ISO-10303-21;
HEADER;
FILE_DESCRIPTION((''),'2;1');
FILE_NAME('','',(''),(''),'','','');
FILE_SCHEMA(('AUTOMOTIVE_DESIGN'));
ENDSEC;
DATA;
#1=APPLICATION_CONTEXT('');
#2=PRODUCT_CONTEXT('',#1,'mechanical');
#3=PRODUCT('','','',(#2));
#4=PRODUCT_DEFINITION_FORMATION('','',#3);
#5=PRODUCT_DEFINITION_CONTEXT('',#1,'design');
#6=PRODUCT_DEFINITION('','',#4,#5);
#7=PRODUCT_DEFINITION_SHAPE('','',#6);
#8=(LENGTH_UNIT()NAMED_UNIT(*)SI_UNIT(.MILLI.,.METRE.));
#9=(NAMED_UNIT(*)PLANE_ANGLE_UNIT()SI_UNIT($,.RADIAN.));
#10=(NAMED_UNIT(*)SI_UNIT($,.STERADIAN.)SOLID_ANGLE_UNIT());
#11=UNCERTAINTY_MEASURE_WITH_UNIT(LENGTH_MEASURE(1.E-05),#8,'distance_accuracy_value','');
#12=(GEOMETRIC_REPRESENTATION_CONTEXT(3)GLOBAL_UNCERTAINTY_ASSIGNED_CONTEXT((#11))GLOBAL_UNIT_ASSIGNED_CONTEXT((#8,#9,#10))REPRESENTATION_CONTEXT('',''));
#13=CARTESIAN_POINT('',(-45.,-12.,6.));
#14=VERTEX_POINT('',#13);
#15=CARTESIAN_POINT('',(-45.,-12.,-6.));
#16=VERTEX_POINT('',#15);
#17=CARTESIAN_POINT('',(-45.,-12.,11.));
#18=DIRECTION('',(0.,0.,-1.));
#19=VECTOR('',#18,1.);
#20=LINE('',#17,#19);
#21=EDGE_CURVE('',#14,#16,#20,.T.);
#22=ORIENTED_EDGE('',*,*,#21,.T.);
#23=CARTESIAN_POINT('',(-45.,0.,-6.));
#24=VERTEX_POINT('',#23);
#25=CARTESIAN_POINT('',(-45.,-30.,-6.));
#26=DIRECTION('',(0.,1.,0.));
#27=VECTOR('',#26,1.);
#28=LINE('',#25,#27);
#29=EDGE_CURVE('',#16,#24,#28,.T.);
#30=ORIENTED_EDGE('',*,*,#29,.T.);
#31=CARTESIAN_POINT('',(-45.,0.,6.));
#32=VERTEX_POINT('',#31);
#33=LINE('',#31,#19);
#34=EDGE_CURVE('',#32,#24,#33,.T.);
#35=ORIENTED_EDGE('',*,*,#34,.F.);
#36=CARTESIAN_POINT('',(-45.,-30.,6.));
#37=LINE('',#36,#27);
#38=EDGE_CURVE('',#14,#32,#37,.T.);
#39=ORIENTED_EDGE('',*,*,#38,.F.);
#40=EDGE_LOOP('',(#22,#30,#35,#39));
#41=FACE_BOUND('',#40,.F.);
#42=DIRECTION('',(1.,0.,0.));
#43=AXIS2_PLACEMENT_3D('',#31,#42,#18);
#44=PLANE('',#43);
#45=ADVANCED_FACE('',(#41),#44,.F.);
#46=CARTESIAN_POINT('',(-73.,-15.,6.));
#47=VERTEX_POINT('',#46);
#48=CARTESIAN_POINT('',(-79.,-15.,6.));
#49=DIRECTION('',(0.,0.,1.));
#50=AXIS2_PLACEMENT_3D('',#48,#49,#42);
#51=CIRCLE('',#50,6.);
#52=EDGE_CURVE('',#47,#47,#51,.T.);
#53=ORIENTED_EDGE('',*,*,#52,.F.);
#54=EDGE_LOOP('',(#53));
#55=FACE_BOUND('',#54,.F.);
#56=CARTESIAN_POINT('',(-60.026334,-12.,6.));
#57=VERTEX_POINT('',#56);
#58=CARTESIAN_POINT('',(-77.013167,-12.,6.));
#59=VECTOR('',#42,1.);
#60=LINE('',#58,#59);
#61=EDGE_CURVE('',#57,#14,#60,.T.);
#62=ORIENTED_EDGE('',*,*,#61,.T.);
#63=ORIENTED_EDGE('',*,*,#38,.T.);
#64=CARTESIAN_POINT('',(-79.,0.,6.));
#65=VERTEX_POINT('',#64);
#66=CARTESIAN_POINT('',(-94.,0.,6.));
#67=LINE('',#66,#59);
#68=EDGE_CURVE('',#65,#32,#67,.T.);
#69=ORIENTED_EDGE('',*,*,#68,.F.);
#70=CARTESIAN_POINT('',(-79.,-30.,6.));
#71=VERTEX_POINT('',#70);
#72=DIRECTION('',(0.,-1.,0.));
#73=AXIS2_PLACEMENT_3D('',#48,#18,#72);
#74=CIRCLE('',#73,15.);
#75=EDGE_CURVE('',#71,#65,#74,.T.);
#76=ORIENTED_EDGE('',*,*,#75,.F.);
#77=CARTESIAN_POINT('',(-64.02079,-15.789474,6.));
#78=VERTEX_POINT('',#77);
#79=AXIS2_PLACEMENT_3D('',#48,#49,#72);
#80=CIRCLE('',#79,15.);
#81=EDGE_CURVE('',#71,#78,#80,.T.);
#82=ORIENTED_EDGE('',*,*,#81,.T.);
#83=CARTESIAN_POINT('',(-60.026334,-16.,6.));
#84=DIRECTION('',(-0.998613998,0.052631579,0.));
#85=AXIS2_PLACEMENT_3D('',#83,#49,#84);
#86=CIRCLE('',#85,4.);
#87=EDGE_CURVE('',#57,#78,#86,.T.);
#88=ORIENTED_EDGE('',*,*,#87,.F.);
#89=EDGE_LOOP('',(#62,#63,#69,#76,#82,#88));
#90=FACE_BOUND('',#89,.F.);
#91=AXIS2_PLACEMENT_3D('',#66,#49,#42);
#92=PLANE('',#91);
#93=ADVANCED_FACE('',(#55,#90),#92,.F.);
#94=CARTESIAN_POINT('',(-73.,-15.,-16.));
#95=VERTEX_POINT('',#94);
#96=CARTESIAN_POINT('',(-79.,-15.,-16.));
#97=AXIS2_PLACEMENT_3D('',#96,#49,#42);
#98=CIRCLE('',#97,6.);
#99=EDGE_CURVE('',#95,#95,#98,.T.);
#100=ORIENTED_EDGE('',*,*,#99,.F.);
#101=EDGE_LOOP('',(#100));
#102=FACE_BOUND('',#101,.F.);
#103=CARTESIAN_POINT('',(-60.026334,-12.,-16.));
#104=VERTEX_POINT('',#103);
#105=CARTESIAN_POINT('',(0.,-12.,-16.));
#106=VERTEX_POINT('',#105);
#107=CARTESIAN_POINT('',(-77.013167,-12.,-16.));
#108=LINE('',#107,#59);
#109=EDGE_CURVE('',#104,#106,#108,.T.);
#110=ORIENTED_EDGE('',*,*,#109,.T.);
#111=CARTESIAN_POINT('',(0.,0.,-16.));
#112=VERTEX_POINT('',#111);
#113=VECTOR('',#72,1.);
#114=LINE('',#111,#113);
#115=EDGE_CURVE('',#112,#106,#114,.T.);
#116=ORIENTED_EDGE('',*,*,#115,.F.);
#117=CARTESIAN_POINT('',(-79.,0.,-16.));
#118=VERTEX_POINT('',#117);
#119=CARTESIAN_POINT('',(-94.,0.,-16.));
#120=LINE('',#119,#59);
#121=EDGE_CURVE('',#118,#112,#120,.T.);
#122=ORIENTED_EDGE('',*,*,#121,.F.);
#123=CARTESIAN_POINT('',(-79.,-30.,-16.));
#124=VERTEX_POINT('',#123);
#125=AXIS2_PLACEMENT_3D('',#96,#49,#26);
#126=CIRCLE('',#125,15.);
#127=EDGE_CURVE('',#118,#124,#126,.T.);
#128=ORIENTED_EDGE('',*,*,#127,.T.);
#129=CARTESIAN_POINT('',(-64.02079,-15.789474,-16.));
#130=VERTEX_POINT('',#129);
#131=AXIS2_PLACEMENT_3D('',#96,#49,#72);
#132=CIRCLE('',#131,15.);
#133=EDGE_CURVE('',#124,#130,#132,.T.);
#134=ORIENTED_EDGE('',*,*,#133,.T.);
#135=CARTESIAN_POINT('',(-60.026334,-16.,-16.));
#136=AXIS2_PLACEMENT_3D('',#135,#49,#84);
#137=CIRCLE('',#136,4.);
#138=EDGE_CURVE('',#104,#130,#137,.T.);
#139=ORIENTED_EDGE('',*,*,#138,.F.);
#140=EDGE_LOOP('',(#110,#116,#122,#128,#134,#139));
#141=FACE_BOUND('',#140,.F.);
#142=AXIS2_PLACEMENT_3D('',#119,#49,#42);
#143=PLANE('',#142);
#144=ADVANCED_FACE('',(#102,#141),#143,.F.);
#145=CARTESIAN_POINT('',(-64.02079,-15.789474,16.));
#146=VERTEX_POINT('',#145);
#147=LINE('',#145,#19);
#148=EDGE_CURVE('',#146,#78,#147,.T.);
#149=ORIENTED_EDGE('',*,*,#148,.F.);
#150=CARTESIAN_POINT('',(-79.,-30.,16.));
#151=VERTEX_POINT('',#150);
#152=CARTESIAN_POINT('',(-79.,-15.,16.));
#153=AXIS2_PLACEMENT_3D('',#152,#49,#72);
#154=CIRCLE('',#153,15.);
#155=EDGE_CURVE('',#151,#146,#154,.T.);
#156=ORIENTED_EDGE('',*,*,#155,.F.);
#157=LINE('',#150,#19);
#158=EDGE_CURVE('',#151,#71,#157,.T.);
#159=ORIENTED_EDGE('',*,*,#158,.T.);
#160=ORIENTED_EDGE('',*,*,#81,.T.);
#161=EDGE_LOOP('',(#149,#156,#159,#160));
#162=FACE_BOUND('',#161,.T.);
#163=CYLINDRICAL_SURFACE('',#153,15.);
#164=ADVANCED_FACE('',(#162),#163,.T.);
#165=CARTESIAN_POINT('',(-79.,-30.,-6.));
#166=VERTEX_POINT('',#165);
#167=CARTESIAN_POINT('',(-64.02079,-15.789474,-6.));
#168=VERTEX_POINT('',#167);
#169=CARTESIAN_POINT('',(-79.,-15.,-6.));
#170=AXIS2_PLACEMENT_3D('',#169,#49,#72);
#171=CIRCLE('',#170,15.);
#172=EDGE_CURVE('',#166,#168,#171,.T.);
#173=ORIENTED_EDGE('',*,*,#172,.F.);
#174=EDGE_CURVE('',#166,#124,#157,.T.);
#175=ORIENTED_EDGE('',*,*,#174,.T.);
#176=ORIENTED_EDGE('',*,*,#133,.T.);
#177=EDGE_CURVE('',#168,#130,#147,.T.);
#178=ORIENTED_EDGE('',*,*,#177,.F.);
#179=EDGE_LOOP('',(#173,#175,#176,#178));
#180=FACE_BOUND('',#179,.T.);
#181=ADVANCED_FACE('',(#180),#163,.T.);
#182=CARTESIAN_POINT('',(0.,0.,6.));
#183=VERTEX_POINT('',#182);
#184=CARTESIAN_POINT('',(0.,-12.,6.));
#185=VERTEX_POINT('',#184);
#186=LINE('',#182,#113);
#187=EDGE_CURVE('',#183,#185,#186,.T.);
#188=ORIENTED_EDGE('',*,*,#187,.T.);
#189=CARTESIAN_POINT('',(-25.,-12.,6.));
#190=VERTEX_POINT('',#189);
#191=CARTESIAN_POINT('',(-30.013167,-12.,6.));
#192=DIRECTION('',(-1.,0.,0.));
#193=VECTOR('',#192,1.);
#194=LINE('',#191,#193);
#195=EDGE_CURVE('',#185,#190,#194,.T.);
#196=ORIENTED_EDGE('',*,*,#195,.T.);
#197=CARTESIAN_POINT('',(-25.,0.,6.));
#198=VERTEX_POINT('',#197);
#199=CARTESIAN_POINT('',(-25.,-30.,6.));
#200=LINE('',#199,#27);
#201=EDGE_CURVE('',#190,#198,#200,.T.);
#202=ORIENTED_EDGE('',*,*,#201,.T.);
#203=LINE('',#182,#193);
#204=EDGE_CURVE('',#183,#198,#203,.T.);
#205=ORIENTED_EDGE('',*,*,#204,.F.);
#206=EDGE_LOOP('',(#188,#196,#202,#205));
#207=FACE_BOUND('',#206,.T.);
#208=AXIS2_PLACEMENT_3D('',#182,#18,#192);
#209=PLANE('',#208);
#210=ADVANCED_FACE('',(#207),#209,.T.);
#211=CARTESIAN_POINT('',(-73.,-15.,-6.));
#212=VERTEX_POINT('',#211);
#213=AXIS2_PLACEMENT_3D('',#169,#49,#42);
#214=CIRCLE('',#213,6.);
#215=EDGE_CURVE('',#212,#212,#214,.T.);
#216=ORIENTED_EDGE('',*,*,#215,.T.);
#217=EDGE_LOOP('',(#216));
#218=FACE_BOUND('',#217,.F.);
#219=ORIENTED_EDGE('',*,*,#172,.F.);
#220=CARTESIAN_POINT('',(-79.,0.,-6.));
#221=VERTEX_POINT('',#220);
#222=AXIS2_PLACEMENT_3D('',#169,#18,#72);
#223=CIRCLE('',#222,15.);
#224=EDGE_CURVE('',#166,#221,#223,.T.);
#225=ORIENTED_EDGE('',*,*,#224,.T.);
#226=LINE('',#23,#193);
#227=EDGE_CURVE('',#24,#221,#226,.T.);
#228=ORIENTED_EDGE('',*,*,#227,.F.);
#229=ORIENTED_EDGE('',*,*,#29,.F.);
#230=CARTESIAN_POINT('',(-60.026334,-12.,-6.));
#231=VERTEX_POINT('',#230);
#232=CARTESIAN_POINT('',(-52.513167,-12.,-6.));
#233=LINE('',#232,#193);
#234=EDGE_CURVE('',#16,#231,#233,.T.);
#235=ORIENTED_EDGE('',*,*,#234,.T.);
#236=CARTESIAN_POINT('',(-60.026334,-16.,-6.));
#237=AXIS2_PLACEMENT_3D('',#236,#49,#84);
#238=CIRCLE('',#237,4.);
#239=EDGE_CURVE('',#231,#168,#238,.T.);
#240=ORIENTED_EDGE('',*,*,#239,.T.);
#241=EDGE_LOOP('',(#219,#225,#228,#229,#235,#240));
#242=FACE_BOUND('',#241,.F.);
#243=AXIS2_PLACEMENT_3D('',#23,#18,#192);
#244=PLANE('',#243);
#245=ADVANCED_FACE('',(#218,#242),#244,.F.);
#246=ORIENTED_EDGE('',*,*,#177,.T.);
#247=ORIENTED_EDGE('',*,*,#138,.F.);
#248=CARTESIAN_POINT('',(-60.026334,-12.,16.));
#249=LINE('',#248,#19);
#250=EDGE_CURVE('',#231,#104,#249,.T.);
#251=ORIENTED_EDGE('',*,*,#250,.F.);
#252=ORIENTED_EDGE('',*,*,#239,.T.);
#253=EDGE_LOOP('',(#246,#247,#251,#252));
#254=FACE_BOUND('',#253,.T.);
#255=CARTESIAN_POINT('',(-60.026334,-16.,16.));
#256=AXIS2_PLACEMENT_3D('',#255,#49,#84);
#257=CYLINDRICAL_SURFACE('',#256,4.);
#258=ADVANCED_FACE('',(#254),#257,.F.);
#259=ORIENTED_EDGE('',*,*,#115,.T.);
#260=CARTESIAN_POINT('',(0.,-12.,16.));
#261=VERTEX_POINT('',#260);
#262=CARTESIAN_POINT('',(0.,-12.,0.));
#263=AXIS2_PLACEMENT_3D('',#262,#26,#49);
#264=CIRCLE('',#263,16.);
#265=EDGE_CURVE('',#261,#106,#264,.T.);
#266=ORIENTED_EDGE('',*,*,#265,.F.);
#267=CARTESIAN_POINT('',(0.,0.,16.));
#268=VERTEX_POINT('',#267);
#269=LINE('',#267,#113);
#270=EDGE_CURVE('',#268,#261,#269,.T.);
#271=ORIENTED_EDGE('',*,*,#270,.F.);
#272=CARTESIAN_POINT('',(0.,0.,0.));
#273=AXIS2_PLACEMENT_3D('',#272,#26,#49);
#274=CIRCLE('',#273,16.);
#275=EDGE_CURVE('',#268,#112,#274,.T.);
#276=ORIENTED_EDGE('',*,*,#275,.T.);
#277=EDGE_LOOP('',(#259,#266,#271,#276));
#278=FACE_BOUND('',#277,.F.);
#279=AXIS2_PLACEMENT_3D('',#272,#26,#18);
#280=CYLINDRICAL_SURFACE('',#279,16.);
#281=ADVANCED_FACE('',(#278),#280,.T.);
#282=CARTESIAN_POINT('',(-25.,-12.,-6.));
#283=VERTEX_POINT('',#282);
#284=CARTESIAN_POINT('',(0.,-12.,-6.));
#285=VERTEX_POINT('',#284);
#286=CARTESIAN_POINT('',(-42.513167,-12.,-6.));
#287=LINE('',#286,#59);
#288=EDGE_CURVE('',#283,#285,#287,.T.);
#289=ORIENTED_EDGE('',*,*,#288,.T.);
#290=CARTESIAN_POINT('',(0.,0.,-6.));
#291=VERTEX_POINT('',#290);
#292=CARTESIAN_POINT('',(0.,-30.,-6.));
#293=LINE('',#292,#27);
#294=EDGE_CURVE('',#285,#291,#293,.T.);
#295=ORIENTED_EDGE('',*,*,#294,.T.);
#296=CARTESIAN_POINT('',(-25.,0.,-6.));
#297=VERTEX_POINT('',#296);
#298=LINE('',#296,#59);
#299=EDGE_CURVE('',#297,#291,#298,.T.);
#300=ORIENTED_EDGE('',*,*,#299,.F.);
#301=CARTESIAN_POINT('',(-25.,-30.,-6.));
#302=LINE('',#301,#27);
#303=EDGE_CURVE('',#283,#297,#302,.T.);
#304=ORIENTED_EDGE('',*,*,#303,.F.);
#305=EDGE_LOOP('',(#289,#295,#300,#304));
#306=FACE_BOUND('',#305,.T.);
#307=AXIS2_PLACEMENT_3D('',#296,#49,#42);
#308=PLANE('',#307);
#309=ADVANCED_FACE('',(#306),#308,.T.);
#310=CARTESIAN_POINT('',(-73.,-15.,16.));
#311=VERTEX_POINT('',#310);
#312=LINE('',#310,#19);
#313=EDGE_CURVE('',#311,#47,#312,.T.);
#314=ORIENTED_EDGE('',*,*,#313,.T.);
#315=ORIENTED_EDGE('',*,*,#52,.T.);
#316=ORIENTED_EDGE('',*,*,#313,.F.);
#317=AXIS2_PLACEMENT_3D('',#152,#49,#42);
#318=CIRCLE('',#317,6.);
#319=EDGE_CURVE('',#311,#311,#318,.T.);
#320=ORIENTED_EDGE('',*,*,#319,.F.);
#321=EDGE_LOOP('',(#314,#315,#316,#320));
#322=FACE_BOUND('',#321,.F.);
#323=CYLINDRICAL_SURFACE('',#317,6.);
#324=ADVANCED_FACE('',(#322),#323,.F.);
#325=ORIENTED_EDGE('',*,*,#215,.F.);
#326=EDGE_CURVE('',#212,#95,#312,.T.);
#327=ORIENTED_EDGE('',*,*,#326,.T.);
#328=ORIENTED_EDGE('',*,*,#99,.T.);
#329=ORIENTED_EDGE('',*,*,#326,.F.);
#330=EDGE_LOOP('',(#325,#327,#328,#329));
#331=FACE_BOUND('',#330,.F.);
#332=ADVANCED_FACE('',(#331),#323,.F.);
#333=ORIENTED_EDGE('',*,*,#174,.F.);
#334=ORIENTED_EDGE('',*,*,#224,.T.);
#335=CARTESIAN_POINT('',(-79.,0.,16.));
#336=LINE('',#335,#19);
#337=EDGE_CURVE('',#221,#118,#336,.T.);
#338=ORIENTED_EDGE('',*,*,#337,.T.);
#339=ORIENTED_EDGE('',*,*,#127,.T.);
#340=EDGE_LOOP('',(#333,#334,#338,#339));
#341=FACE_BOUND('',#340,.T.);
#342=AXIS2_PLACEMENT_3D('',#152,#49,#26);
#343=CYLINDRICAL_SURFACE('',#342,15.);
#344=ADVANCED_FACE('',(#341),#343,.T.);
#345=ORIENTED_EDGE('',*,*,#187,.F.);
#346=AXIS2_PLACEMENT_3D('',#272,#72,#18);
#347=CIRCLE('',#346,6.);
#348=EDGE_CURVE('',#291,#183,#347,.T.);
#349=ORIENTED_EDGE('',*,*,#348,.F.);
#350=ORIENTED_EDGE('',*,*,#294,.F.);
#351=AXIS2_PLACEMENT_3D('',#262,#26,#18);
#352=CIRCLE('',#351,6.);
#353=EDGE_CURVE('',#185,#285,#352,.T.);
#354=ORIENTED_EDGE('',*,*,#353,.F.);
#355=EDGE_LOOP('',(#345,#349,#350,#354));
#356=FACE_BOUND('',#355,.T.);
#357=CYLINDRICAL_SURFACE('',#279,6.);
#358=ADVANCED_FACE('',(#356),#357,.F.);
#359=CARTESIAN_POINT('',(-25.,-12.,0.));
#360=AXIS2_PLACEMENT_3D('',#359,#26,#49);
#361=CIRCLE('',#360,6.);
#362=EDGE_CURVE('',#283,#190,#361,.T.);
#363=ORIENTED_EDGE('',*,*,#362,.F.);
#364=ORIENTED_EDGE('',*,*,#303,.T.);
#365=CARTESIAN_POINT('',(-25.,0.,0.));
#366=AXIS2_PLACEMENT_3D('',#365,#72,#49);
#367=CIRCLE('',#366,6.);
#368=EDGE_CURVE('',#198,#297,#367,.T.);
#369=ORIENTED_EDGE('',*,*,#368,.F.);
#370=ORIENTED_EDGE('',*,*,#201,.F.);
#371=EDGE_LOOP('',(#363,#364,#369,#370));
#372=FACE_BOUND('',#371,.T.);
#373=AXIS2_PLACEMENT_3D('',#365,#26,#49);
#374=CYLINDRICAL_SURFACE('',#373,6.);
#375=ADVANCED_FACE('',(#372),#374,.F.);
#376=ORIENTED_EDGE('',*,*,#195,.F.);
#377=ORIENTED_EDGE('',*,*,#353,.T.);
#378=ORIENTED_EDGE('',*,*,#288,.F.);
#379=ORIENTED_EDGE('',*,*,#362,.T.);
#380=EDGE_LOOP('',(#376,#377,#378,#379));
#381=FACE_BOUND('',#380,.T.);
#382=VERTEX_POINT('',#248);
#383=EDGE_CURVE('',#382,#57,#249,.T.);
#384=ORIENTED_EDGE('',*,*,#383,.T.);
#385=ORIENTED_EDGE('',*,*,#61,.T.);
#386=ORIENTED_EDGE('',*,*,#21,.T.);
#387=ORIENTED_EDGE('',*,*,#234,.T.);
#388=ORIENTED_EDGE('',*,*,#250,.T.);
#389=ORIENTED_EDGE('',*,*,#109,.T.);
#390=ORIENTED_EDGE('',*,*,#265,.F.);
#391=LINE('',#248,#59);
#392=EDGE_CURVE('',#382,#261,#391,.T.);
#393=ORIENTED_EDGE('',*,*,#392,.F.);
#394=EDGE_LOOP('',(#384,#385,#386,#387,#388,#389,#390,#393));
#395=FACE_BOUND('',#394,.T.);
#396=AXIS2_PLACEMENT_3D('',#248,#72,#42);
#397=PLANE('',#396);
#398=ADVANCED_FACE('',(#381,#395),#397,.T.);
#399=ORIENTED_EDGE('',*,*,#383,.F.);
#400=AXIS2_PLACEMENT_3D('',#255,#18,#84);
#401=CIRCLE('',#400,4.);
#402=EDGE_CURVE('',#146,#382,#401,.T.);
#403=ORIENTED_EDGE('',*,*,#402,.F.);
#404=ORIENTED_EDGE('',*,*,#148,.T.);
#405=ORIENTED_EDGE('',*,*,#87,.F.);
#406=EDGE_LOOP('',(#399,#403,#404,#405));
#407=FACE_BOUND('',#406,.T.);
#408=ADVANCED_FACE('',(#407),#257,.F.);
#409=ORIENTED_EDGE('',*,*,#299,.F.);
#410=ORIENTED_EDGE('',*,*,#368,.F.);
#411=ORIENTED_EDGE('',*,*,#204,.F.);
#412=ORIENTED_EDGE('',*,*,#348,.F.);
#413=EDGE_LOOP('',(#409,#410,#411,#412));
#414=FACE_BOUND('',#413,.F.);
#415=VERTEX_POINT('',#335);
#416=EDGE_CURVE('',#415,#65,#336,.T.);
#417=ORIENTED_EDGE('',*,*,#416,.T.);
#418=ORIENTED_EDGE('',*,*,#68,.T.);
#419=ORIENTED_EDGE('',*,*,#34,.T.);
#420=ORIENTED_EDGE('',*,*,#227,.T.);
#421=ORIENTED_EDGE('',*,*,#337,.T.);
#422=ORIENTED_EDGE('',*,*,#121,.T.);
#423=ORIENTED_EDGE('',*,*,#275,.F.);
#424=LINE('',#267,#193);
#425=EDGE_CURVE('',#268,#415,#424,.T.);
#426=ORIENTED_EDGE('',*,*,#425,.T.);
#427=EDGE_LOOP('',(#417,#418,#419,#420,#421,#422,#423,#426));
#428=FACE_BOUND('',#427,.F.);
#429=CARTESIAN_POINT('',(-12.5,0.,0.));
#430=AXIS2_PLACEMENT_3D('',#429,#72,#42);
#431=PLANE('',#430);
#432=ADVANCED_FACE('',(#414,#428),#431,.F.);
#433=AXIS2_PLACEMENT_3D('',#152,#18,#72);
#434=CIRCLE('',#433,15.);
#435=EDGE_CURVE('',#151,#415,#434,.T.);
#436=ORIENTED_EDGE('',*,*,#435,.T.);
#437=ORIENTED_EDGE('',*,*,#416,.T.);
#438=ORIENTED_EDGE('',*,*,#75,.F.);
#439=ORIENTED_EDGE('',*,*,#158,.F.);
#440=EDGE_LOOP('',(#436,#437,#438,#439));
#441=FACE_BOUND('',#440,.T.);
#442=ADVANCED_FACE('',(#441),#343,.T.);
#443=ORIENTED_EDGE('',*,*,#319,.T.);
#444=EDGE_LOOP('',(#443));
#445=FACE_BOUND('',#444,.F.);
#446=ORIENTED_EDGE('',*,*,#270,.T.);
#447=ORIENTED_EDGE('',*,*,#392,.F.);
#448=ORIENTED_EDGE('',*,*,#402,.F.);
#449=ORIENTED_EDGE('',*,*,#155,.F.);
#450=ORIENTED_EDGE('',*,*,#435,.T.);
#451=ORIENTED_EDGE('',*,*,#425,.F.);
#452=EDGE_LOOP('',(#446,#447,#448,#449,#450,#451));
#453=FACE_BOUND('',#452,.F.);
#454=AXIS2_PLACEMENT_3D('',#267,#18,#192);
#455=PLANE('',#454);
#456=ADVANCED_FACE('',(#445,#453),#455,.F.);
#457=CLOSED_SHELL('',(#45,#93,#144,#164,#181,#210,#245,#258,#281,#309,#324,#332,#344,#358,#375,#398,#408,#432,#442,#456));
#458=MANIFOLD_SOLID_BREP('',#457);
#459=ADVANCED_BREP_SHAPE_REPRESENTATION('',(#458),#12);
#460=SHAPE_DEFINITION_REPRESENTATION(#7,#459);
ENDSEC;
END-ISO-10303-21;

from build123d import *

# Parameters (mm, degrees)
F1_DEPTH = 12
F2_DEPTH = 30
F3_DEPTH = 25
F4_DEPTH = 25
F5_R     = 6
F5_W     = 16
F5_H     = 12
F6_DEPTH = 46.7


with BuildPart() as f1:
    # F0 (on Front) → F1 (new body)
    with BuildSketch(Plane.XZ):
        with BuildLine():
            Line((-94, -16), (0, -16))
            ThreePointArc((0, -16), (16, 0), (0, 16))
            Line((0, 16), (-94, 16))
            Line((-94, 16), (-94, 6))
            Line((-94, 6), (-45, 6))
            Line((-45, 6), (-45, -6))
            Line((-45, -6), (-94, -6))
            Line((-94, -6), (-94, -16))
        make_face()
        with BuildLine():
            ThreePointArc((-25, -6), (-31, 0), (-25, 6))
            Line((-25, 6), (0, 6))
            ThreePointArc((0, 6), (6, 0), (0, -6))
            Line((0, -6), (-25, -6))
        make_face(mode=Mode.SUBTRACT)
        with BuildLine():
            Line((0, 6), (-25, 6))
            ThreePointArc((-25, 6), (-31, 0), (-25, -6))
            Line((-25, -6), (0, -6))
            ThreePointArc((0, -6), (6, 0), (0, 6))
        make_face()
    extrude(amount=F1_DEPTH)

    # F0 (on Front) → F2 (join)
    with BuildSketch(Plane.XZ):
        with BuildLine():
            Line((-94, -16), (0, -16))
            ThreePointArc((0, -16), (16, 0), (0, 16))
            Line((0, 16), (-94, 16))
            Line((-94, 16), (-94, 6))
            Line((-94, 6), (-45, 6))
            Line((-45, 6), (-45, -6))
            Line((-45, -6), (-94, -6))
            Line((-94, -6), (-94, -16))
        make_face()
        with BuildLine():
            ThreePointArc((-25, -6), (-31, 0), (-25, 6))
            Line((-25, 6), (0, 6))
            ThreePointArc((0, 6), (6, 0), (0, -6))
            Line((0, -6), (-25, -6))
        make_face(mode=Mode.SUBTRACT)
    extrude(amount=F2_DEPTH)

    # F0 (on Front) → F3 (join)
    with BuildSketch(Plane.XZ):
        with BuildLine():
            Line((0, 6), (-25, 6))
            ThreePointArc((-25, 6), (-31, 0), (-25, -6))
            Line((-25, -6), (0, -6))
            ThreePointArc((0, -6), (6, 0), (0, 6))
        make_face()
    extrude(amount=F3_DEPTH)

    # F0 (on Front) → F4 (cut)
    with BuildSketch(Plane.XZ):
        with BuildLine():
            Line((0, 6), (-25, 6))
            ThreePointArc((-25, 6), (-31, 0), (-25, -6))
            Line((-25, -6), (0, -6))
            ThreePointArc((0, -6), (6, 0), (0, 6))
        make_face()
    extrude(amount=F4_DEPTH, mode=Mode.SUBTRACT)

    # F5 (on face) → F6 (intersect)
    with BuildSketch(Plane.XY.offset(16)):
        with BuildLine():
            Line((0, 0), (-79, 0))
            ThreePointArc((-79, 0), (-89.6066017178, -4.3933982822), (-94, -15))
            ThreePointArc((-94, -15), (-89.6066017178, -25.6066017178), (-79, -30))
            ThreePointArc((-79, -30), (-68.6762919758, -25.8821437517), (-64.0207900308, -15.7894736842))
            ThreePointArc((-64.0207900308, -15.7894736842), (-62.7793228454, -13.0980949996), (-60.026334039, -12))
            Line((-60.026334039, -12), (0, -12))
            Line((0, -12), (0, 0))
        make_face()
        with Locations((-79, -15)):
            Circle(F5_R, mode=Mode.SUBTRACT)
        with Locations((8, -6)):
            Rectangle(F5_W, F5_H)
    extrude(amount=-F6_DEPTH, mode=Mode.INTERSECT)


solid = f1.part
